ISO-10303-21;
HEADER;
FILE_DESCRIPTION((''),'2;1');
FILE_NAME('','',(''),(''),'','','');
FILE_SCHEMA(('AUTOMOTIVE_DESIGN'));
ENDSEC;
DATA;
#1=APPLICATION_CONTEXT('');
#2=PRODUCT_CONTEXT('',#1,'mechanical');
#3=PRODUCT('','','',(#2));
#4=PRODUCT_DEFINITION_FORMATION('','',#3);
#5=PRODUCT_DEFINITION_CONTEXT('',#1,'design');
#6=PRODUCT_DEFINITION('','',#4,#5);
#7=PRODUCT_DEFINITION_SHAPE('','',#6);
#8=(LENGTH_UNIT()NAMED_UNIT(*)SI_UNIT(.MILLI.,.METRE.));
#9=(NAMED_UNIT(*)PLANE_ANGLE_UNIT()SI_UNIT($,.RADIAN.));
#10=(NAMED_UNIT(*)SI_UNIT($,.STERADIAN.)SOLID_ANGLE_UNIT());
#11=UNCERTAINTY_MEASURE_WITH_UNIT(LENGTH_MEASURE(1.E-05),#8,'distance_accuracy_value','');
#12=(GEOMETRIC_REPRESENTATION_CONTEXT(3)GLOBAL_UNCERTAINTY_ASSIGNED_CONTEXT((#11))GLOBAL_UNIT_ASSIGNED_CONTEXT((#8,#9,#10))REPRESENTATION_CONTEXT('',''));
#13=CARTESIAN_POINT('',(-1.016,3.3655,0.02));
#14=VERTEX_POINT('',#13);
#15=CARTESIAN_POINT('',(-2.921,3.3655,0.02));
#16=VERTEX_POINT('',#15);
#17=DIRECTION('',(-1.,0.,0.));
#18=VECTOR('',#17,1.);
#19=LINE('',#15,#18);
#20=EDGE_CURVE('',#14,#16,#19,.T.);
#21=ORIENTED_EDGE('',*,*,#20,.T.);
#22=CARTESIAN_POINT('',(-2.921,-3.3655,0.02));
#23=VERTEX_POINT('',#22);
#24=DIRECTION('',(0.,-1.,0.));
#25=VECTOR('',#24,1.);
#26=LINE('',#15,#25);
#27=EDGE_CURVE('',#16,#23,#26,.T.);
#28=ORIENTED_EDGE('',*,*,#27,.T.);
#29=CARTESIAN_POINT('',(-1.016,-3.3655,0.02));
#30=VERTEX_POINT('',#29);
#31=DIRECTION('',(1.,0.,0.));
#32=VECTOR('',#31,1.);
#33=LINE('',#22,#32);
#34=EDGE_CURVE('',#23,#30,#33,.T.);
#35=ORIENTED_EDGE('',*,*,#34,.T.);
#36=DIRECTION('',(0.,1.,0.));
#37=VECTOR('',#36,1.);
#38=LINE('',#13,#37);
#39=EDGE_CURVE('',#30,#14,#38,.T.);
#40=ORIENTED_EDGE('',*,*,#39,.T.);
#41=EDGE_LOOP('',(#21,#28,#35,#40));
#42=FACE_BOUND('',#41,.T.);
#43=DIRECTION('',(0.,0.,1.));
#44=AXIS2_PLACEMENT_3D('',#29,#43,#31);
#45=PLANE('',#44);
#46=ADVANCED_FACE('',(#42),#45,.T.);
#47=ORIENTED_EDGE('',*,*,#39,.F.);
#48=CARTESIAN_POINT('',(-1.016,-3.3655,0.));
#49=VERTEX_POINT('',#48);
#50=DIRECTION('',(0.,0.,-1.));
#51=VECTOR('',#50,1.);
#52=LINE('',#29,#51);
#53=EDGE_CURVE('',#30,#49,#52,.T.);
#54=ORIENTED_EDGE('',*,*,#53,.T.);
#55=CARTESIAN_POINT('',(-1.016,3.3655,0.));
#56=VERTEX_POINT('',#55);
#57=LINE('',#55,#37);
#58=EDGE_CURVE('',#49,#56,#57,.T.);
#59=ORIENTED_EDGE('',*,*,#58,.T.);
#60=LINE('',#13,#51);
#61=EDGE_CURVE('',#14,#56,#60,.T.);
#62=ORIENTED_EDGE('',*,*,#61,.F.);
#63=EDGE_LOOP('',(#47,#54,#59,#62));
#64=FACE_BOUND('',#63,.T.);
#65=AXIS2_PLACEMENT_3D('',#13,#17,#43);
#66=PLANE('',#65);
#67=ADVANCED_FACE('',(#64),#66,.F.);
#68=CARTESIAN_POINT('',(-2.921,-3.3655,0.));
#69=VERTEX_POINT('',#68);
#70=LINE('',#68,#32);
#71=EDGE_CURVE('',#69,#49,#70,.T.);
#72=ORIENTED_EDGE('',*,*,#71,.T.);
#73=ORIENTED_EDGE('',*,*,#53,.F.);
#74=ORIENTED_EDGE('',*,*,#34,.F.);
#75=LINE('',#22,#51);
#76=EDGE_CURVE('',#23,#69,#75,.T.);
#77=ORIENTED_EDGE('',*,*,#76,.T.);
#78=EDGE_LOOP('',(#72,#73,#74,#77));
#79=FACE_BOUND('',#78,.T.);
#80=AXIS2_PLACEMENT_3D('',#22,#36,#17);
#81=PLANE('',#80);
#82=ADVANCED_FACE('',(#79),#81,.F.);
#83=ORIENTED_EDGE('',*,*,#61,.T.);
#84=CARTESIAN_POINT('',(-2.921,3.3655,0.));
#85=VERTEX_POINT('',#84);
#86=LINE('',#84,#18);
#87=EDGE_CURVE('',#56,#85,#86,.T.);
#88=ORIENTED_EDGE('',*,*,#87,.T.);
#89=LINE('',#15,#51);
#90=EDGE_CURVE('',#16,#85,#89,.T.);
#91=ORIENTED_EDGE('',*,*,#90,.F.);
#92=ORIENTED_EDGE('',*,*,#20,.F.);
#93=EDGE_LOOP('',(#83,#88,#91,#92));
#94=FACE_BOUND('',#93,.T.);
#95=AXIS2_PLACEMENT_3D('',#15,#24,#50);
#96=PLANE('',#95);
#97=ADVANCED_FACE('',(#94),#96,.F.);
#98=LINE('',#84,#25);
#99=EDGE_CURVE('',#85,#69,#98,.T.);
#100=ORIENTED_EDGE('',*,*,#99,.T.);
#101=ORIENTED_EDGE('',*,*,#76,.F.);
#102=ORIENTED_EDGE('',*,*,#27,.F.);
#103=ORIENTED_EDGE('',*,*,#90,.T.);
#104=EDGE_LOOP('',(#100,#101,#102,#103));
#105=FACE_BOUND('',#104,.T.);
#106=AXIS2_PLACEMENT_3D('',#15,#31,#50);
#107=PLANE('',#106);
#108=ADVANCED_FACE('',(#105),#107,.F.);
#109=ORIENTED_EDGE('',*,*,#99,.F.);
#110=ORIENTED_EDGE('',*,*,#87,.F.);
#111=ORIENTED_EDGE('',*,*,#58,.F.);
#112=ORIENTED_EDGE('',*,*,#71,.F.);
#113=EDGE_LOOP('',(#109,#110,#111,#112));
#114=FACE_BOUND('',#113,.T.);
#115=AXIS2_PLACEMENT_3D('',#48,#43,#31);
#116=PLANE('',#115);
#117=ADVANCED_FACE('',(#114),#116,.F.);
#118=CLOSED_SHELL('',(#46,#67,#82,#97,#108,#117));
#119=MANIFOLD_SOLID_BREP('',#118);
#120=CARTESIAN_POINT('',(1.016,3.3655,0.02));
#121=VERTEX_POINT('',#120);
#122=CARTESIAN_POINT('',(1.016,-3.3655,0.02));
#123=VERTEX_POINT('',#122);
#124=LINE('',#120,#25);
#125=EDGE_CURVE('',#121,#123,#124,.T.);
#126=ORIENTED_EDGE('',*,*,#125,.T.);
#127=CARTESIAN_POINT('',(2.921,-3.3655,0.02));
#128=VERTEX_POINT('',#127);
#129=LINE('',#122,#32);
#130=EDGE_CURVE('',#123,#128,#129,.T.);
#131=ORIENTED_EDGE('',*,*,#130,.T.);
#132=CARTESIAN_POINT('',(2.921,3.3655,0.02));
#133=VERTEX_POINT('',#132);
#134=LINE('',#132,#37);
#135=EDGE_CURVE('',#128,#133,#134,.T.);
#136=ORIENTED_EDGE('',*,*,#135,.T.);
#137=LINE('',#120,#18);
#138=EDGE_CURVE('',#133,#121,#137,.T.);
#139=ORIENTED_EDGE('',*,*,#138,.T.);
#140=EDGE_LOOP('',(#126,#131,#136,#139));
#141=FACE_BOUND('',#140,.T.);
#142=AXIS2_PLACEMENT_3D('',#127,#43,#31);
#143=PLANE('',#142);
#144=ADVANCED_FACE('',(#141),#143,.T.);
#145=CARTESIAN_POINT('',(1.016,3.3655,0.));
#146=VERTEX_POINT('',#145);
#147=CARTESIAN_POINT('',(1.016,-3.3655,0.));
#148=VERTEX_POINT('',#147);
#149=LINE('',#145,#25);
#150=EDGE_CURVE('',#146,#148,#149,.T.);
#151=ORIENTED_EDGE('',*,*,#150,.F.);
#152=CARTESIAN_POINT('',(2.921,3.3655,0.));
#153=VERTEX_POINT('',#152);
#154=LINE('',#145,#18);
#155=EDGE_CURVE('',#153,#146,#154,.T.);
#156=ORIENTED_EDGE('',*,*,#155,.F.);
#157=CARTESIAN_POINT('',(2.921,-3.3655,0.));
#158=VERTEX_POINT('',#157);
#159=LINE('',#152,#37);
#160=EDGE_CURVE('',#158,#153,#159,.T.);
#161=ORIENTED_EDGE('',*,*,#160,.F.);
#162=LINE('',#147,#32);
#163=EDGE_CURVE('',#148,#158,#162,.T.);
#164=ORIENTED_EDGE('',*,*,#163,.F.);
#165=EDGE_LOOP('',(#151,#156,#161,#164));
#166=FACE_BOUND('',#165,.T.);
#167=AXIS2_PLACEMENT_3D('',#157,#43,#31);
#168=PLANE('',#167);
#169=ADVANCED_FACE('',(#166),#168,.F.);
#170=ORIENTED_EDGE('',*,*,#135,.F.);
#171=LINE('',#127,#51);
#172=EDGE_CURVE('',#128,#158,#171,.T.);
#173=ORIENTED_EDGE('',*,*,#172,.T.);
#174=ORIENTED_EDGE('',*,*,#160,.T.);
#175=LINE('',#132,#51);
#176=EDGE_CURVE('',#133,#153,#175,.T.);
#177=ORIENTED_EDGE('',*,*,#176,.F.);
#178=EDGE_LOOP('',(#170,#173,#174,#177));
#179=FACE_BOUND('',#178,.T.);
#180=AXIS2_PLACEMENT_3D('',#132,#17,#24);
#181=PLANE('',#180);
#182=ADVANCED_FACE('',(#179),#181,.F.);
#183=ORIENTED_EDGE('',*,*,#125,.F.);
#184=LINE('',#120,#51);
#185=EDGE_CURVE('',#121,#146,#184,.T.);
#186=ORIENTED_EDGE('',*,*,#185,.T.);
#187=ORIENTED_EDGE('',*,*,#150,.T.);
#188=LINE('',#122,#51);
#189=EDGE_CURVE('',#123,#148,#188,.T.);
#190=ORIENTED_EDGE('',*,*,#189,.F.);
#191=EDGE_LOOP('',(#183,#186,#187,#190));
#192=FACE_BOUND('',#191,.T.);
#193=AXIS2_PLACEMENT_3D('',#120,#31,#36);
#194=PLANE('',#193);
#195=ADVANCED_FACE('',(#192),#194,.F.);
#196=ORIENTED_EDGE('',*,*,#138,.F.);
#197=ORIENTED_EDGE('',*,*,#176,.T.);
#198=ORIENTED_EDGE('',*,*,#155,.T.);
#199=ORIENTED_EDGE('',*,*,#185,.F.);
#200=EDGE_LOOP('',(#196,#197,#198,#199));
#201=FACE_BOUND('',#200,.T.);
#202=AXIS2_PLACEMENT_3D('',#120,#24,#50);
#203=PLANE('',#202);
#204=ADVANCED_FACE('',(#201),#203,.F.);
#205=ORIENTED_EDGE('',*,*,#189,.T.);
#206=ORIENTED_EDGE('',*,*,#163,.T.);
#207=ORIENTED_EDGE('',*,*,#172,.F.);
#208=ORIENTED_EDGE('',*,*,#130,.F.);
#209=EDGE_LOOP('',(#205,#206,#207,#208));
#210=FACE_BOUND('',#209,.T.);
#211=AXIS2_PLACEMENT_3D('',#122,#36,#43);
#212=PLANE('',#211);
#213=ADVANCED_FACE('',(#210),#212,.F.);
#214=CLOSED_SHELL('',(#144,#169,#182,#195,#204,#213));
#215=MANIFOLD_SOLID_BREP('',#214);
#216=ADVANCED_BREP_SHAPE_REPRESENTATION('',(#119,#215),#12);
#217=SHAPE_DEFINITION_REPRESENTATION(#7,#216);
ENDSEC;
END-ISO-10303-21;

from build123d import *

# Parameters (mm, degrees)
SKETCH_1_W        = 1.905
SKETCH_1_H        = 6.731
EXTRUDE_1_DEPTH   = 0.02
EXTRUDE_1_2_DEPTH = 0.02


with BuildPart() as part:
    # 草图1 → 凸台-拉伸1 (new body)
    with BuildSketch(Plane.XY):
        with Locations((-1.9685, 0)):
            Rectangle(SKETCH_1_W, SKETCH_1_H)
    extrude(amount=EXTRUDE_1_DEPTH)


with BuildPart() as body_2:
    # 草图1 → Extrude 1 2 (new body)
    with BuildSketch(Plane.XY):
        with Locations((1.9685, 0)):
            Rectangle(SKETCH_1_W, SKETCH_1_H)
    extrude(amount=EXTRUDE_1_2_DEPTH)


solid = Compound([part.part, body_2.part])
